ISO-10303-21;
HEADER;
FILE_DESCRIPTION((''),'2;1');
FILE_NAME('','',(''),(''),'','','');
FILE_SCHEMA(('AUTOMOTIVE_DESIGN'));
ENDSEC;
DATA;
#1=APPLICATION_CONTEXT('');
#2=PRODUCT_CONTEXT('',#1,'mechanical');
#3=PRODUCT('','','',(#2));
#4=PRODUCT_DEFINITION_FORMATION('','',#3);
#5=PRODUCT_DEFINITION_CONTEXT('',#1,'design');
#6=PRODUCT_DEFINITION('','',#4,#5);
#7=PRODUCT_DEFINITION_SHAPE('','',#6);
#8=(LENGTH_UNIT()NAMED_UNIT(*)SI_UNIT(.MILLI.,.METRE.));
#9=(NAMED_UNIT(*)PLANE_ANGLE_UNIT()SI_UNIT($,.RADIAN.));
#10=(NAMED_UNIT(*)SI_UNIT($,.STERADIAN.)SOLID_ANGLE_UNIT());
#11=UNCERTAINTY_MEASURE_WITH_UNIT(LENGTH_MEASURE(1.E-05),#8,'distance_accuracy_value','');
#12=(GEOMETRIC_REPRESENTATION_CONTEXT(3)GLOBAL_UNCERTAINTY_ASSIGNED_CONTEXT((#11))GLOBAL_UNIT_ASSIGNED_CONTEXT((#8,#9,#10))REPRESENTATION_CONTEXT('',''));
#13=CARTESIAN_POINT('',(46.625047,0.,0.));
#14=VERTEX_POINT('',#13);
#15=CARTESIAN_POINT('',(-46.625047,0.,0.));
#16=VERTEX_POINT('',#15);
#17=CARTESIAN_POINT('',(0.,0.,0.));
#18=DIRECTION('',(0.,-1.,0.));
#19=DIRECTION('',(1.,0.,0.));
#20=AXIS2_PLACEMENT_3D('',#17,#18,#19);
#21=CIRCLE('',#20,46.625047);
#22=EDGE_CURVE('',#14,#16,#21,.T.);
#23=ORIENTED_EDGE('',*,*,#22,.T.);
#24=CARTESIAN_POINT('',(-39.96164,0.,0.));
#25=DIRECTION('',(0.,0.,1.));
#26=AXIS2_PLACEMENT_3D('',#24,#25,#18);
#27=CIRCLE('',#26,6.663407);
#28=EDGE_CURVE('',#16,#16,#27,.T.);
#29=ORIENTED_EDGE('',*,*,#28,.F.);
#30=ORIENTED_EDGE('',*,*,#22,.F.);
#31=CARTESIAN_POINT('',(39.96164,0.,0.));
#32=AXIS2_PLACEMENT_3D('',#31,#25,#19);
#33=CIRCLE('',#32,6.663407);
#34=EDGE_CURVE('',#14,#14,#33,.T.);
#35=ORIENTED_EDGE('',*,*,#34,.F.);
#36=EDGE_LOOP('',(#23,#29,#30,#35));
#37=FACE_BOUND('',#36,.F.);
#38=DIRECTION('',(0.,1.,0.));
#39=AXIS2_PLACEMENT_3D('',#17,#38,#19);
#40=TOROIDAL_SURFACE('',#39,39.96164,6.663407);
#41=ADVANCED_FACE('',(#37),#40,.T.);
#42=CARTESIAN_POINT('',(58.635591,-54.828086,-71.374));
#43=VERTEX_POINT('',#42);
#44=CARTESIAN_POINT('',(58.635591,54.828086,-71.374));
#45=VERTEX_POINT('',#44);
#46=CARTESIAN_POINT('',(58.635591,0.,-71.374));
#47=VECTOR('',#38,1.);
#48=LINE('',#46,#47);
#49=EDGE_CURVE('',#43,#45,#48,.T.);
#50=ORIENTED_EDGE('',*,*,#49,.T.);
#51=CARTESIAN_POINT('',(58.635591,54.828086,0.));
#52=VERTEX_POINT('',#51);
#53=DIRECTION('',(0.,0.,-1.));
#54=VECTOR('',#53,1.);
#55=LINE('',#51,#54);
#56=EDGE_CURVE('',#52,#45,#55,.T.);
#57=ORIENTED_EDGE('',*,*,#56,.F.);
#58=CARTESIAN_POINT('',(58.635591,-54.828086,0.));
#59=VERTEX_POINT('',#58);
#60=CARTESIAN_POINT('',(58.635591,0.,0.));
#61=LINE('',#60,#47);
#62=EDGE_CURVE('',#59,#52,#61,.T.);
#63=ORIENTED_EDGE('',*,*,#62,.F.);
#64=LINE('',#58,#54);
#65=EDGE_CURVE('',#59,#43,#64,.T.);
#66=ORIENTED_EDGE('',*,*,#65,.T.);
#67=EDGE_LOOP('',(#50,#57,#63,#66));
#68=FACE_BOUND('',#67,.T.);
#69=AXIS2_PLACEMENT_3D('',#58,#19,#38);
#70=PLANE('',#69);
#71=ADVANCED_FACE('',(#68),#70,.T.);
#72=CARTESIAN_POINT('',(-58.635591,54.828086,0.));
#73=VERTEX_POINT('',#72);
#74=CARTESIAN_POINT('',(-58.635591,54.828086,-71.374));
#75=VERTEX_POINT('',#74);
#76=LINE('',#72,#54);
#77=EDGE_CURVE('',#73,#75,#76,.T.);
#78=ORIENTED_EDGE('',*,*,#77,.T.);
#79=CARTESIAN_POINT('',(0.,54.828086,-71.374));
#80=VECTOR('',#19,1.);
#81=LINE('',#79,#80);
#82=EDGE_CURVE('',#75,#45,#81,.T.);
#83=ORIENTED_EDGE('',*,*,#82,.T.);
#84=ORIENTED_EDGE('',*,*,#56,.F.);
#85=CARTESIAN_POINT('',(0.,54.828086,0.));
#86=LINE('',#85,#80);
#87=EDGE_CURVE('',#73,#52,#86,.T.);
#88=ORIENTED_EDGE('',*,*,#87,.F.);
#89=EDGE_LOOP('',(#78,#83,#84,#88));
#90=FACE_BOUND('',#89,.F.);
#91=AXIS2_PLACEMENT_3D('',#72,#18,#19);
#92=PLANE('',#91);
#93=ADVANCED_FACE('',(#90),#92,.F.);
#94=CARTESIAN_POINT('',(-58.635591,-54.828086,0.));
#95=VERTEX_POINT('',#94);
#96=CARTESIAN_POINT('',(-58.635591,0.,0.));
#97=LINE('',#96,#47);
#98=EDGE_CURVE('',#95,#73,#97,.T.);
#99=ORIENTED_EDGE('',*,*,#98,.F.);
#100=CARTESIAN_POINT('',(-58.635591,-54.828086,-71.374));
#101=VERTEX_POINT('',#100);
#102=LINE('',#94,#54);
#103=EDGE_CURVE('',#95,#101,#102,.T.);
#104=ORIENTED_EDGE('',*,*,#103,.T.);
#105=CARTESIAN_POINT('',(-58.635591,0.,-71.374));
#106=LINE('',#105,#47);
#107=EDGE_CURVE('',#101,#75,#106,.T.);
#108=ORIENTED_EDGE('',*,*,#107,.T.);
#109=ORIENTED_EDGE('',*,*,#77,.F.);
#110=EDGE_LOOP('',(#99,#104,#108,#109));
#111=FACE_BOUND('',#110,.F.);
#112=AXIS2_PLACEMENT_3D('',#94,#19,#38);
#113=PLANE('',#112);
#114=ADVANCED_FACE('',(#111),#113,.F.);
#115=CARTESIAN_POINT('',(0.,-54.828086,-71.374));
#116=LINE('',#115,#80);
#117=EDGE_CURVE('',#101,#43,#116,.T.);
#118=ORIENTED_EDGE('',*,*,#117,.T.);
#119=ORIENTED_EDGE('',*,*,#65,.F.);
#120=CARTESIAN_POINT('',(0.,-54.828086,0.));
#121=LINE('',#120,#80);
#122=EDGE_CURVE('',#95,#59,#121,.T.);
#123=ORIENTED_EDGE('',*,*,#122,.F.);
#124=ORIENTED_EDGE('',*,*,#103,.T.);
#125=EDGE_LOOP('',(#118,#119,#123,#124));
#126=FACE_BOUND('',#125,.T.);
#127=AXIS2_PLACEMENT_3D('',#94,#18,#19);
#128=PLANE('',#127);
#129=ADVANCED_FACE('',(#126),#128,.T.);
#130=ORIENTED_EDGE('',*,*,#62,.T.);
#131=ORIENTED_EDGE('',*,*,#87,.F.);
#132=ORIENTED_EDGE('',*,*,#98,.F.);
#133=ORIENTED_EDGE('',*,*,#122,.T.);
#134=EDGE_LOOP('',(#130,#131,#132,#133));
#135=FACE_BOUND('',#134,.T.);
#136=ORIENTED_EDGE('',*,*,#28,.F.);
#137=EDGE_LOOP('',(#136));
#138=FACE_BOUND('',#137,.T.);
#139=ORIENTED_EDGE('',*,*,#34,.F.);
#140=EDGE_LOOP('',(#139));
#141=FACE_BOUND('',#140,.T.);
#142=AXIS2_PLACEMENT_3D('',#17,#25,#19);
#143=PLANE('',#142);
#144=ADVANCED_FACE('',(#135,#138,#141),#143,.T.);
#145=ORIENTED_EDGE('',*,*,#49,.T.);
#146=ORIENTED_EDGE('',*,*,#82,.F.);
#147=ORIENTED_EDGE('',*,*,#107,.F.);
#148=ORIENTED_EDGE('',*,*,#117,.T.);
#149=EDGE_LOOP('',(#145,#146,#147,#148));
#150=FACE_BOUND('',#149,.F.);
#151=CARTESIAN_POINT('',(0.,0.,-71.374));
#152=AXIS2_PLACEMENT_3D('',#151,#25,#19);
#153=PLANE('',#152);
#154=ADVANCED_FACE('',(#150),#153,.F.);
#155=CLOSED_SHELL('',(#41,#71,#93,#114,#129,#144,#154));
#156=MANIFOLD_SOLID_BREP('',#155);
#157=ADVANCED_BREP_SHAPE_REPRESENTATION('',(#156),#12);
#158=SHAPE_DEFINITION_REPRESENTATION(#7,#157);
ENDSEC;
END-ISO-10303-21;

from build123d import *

# Parameters (mm, degrees)
F0_W     = 117.271182
F0_H     = 109.656172
F2_DEPTH = 71.374
F1_R     = 6.663407


with BuildPart() as f2:
    # F0 (on Top) → F2 (new body)
    with BuildSketch(Plane.XY):
        Rectangle(F0_W, F0_H)
    extrude(amount=-F2_DEPTH)

    # F1 (on Top) → F4 (revolve)
    with BuildSketch(Plane.XY):
        with Locations((39.96164, 0)):
            Circle(F1_R)
    revolve(axis=Axis((0, -0.142617, 0), (0, -1, 0)))


solid = f2.part
